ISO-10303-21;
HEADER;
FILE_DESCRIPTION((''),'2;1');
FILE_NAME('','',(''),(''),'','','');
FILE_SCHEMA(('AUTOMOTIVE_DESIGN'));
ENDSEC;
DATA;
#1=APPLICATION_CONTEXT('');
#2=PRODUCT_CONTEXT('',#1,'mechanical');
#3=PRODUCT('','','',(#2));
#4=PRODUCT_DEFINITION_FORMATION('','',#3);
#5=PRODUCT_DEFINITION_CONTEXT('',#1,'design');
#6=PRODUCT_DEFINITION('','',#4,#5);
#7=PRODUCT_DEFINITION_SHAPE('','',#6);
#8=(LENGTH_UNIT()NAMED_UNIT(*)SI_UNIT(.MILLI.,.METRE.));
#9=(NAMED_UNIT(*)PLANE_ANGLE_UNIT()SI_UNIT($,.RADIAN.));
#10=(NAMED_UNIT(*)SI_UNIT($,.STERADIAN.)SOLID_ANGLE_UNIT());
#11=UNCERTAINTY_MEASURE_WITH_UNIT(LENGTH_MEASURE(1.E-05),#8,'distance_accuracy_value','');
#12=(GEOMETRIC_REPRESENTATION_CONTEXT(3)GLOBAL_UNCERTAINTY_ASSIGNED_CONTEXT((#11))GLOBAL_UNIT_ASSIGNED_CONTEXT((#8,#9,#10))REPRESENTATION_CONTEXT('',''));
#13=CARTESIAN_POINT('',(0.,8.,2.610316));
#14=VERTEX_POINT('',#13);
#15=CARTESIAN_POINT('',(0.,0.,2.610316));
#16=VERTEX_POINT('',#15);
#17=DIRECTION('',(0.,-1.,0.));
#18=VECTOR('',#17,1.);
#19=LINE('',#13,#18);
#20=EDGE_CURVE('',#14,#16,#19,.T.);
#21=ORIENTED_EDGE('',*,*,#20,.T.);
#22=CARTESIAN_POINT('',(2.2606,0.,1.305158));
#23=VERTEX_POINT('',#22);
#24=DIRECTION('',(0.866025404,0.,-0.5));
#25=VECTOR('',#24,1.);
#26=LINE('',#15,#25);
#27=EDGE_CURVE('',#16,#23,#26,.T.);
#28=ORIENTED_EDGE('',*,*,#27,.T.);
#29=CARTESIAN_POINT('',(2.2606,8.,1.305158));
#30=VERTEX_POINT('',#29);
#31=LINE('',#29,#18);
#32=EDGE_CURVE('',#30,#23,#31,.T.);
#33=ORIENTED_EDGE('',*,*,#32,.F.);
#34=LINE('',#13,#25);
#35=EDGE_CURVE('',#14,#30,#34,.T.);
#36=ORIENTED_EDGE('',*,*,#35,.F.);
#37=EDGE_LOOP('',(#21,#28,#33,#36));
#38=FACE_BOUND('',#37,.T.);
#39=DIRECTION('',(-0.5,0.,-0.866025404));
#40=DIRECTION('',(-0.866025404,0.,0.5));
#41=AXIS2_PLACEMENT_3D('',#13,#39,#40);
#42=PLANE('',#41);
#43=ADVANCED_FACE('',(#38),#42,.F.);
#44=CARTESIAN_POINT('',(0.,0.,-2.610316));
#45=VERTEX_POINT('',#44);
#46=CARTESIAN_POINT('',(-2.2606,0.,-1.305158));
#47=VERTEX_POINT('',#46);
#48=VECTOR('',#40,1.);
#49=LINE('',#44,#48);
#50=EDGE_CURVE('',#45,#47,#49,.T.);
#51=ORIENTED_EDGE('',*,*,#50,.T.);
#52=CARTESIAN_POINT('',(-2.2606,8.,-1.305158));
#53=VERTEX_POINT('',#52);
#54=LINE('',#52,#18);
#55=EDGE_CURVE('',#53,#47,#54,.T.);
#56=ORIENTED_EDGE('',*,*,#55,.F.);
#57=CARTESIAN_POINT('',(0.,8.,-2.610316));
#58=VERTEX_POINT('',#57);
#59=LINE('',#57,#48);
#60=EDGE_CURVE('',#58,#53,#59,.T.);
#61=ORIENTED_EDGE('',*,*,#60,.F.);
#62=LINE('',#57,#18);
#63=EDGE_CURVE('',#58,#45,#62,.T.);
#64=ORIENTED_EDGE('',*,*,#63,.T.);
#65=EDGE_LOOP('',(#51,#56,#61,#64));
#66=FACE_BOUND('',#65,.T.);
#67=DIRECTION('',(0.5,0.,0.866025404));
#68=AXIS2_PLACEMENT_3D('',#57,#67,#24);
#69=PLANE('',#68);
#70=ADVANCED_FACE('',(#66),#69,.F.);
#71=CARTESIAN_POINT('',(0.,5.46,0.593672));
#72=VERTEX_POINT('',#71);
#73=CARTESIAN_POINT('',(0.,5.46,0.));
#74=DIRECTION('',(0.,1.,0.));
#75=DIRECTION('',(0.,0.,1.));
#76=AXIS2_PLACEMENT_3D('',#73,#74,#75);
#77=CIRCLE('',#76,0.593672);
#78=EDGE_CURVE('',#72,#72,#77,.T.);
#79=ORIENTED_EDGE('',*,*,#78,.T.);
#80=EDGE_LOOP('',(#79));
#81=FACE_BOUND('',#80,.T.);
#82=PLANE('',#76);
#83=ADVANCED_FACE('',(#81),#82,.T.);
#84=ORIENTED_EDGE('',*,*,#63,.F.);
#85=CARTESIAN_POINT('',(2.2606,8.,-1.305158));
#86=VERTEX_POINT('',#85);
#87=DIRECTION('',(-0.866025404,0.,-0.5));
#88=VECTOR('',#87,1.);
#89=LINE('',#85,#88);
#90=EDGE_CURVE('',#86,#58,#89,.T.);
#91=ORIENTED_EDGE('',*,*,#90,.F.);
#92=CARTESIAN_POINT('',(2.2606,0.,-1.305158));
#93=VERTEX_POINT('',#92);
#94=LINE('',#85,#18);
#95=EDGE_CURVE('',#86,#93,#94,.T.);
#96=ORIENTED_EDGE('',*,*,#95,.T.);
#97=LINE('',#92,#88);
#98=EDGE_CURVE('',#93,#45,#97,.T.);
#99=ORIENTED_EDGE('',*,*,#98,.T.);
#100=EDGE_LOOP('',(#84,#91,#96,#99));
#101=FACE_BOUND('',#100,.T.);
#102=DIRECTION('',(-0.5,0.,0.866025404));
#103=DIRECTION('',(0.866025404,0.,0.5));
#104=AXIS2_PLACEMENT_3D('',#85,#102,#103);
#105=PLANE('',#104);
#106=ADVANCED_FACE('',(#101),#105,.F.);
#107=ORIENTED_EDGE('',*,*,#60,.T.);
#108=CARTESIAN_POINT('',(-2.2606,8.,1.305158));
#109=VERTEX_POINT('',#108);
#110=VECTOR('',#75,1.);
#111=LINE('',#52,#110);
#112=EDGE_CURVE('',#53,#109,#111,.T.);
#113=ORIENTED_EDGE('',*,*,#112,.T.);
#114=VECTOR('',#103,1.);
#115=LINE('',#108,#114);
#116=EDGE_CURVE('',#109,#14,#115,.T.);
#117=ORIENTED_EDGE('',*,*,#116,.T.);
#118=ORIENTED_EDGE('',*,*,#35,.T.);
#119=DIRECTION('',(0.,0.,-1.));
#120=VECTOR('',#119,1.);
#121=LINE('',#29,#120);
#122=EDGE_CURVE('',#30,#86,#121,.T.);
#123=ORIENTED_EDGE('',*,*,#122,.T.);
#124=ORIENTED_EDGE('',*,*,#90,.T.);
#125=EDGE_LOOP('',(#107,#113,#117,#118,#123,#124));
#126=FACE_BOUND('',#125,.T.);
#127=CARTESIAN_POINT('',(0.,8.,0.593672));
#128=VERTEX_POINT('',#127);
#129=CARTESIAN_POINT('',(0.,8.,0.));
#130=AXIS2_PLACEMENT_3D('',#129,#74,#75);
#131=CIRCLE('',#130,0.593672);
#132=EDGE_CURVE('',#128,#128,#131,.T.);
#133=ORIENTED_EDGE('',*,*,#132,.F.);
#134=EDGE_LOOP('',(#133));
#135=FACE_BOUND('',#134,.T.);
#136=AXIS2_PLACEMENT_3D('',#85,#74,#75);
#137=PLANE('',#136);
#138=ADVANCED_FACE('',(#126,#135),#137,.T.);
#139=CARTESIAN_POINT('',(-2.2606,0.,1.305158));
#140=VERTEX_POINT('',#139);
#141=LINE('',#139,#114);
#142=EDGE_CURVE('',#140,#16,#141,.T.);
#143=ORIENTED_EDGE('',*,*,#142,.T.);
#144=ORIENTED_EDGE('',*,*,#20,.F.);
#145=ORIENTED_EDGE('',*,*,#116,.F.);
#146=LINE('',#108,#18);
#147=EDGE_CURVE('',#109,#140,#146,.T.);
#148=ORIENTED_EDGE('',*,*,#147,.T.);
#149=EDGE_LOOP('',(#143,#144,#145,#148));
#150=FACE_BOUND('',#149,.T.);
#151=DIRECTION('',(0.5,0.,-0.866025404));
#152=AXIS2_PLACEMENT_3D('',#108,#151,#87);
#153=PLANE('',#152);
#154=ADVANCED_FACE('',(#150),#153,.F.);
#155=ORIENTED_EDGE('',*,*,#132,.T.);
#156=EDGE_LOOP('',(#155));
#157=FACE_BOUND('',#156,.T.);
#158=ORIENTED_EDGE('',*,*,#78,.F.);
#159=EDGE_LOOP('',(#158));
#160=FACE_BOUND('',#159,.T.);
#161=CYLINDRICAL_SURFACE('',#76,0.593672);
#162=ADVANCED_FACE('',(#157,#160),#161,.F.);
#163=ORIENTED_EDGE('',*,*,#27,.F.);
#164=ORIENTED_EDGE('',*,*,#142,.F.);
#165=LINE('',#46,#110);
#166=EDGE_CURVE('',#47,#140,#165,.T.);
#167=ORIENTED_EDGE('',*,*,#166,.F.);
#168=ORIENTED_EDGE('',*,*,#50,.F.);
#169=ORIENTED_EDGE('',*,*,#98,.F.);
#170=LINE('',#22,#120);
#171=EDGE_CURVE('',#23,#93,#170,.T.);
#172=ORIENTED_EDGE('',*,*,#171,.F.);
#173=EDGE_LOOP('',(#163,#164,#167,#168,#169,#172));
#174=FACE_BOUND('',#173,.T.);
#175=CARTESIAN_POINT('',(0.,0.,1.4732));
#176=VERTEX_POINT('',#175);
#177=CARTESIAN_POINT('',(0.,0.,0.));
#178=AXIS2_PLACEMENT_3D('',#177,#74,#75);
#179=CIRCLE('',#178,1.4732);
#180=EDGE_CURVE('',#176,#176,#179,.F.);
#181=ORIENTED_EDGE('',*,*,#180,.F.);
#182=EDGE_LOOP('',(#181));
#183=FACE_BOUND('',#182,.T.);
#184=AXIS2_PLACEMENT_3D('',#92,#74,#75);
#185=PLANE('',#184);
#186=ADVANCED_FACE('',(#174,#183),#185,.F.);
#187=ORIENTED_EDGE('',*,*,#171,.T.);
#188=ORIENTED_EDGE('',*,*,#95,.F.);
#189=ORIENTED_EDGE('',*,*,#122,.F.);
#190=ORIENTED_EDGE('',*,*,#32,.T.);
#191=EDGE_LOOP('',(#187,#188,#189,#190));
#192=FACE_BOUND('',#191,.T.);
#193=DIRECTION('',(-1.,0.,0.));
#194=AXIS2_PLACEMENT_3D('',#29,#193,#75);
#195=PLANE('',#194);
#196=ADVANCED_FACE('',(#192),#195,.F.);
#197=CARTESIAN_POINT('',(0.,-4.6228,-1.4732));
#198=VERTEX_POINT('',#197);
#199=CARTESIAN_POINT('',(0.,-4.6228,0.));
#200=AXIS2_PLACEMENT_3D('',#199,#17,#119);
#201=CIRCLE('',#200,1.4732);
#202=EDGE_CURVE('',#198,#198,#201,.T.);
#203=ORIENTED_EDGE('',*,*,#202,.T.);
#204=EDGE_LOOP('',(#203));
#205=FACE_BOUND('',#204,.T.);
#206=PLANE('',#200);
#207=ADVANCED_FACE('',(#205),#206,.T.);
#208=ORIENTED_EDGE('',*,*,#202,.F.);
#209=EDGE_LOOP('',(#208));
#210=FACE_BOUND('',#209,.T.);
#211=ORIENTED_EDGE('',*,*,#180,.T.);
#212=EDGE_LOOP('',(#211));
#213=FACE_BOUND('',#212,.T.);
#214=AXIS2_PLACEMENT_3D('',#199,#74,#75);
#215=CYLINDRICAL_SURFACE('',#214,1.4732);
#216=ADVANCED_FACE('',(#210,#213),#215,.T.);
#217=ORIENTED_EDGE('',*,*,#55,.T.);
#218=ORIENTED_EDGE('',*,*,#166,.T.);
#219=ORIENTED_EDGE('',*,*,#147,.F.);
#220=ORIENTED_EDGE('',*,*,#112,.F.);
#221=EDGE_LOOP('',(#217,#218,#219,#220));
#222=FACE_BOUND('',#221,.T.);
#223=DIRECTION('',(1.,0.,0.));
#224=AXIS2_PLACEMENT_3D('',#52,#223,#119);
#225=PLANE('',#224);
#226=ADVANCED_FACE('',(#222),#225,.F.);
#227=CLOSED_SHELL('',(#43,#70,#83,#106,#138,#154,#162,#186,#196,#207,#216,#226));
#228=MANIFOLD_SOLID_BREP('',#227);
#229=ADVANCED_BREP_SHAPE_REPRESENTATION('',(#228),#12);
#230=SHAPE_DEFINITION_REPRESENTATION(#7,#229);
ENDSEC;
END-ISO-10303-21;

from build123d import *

# Parameters (mm, degrees)
BOSS_EXTRUDE1_DEPTH = 8
SKETCH2_R           = 1.4732
BOSS_EXTRUDE2_DEPTH = 4.6228
SKETCH3_R           = 0.593671867
CUT_EXTRUDE1_DEPTH  = 2.54


with BuildPart() as part:
    # Sketch1 → Boss-Extrude1 (new body)
    with BuildSketch(Plane(origin=(0, 0, 0), x_dir=(1, 0, 0), z_dir=(0, 1, 0))):
        Polygon((2.2606, 1.305158019), (0, 2.610316037), (-2.2606, 1.305158019), (-2.2606, -1.305158019), (0, -2.610316037), (2.2606, -1.305158019), align=None)
    extrude(amount=BOSS_EXTRUDE1_DEPTH)

    # Sketch2 → Boss-Extrude2 (add)
    with BuildSketch(Plane.XZ):
        with Locations(Location((0, 0, 0), (0, 0, 90))):
            Circle(SKETCH2_R)
    extrude(amount=BOSS_EXTRUDE2_DEPTH)

    # Sketch3 → Cut-Extrude1 (cut)
    with BuildSketch(Plane(origin=(0, 8, 0), x_dir=(1, 0, 0), z_dir=(0, 1, 0))):
        with Locations(Location((0, 0, 0), (0, 0, 270))):
            Circle(SKETCH3_R)
    extrude(amount=-CUT_EXTRUDE1_DEPTH, mode=Mode.SUBTRACT)


solid = part.part
